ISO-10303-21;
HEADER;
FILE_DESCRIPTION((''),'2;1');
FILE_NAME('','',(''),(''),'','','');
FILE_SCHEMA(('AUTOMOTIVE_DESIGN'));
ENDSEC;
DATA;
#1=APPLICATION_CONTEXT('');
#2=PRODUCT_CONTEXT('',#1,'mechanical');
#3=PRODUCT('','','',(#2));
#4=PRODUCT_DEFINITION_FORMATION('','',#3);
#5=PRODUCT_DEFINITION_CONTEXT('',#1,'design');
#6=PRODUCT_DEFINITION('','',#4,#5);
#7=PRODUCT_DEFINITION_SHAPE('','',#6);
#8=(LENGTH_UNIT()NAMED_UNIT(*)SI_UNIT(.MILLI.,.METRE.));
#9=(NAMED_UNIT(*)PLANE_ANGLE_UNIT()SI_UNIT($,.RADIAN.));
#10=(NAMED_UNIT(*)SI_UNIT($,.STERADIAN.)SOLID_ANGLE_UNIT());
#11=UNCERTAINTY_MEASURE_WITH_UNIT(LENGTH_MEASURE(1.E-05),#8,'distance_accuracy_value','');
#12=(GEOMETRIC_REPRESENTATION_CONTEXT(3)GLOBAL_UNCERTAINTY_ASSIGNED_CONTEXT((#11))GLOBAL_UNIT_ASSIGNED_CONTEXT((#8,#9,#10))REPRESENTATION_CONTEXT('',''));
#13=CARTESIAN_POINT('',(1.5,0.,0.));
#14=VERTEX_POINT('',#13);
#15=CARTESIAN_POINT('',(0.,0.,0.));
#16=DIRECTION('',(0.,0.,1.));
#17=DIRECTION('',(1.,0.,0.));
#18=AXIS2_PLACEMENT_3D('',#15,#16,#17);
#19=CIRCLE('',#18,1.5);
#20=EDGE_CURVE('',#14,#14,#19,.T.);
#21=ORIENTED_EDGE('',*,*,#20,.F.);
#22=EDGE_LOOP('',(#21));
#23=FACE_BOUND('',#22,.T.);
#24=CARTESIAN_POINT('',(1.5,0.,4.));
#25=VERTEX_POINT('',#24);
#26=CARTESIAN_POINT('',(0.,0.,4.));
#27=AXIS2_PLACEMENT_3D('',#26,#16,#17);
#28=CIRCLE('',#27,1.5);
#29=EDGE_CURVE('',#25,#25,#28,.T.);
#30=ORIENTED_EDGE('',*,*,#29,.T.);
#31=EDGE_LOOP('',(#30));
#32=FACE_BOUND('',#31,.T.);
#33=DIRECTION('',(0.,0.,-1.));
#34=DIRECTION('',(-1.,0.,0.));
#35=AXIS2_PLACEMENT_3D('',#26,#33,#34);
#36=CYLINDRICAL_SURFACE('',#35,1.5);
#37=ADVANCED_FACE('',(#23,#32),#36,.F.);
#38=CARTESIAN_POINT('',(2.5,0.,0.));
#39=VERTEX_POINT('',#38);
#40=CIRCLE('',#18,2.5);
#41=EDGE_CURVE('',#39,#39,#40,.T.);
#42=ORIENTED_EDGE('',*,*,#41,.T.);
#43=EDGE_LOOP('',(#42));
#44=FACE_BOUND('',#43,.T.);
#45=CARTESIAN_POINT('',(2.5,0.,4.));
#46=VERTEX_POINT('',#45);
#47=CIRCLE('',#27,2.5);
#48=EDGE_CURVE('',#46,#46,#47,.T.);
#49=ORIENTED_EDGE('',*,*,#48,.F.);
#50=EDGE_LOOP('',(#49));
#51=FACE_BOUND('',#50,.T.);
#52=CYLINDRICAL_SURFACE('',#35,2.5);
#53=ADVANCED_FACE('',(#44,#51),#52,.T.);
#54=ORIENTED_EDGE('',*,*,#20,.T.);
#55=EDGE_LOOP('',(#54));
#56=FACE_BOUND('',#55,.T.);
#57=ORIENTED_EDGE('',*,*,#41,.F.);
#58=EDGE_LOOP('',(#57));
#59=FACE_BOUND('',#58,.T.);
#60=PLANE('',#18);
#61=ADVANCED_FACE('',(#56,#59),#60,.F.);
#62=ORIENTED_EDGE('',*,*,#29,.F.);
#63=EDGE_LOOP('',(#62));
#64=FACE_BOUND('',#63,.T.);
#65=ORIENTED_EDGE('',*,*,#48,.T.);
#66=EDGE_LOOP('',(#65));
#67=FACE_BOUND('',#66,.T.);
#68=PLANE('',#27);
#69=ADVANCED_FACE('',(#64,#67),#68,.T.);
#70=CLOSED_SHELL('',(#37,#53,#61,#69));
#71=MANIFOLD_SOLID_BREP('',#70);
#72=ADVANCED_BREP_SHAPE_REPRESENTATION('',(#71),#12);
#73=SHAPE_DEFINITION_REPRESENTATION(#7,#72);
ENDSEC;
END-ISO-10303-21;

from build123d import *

# Parameters (mm, degrees)
SKETCH1_R           = 2.5
SKETCH1_R_2         = 1.5
BOSS_EXTRUDE1_DEPTH = 4


with BuildPart() as part:
    # Sketch1 → Boss-Extrude1 (new body)
    with BuildSketch(Plane.XY):
        Circle(SKETCH1_R)
        Circle(SKETCH1_R_2, mode=Mode.SUBTRACT)
    extrude(amount=BOSS_EXTRUDE1_DEPTH)


solid = part.part
